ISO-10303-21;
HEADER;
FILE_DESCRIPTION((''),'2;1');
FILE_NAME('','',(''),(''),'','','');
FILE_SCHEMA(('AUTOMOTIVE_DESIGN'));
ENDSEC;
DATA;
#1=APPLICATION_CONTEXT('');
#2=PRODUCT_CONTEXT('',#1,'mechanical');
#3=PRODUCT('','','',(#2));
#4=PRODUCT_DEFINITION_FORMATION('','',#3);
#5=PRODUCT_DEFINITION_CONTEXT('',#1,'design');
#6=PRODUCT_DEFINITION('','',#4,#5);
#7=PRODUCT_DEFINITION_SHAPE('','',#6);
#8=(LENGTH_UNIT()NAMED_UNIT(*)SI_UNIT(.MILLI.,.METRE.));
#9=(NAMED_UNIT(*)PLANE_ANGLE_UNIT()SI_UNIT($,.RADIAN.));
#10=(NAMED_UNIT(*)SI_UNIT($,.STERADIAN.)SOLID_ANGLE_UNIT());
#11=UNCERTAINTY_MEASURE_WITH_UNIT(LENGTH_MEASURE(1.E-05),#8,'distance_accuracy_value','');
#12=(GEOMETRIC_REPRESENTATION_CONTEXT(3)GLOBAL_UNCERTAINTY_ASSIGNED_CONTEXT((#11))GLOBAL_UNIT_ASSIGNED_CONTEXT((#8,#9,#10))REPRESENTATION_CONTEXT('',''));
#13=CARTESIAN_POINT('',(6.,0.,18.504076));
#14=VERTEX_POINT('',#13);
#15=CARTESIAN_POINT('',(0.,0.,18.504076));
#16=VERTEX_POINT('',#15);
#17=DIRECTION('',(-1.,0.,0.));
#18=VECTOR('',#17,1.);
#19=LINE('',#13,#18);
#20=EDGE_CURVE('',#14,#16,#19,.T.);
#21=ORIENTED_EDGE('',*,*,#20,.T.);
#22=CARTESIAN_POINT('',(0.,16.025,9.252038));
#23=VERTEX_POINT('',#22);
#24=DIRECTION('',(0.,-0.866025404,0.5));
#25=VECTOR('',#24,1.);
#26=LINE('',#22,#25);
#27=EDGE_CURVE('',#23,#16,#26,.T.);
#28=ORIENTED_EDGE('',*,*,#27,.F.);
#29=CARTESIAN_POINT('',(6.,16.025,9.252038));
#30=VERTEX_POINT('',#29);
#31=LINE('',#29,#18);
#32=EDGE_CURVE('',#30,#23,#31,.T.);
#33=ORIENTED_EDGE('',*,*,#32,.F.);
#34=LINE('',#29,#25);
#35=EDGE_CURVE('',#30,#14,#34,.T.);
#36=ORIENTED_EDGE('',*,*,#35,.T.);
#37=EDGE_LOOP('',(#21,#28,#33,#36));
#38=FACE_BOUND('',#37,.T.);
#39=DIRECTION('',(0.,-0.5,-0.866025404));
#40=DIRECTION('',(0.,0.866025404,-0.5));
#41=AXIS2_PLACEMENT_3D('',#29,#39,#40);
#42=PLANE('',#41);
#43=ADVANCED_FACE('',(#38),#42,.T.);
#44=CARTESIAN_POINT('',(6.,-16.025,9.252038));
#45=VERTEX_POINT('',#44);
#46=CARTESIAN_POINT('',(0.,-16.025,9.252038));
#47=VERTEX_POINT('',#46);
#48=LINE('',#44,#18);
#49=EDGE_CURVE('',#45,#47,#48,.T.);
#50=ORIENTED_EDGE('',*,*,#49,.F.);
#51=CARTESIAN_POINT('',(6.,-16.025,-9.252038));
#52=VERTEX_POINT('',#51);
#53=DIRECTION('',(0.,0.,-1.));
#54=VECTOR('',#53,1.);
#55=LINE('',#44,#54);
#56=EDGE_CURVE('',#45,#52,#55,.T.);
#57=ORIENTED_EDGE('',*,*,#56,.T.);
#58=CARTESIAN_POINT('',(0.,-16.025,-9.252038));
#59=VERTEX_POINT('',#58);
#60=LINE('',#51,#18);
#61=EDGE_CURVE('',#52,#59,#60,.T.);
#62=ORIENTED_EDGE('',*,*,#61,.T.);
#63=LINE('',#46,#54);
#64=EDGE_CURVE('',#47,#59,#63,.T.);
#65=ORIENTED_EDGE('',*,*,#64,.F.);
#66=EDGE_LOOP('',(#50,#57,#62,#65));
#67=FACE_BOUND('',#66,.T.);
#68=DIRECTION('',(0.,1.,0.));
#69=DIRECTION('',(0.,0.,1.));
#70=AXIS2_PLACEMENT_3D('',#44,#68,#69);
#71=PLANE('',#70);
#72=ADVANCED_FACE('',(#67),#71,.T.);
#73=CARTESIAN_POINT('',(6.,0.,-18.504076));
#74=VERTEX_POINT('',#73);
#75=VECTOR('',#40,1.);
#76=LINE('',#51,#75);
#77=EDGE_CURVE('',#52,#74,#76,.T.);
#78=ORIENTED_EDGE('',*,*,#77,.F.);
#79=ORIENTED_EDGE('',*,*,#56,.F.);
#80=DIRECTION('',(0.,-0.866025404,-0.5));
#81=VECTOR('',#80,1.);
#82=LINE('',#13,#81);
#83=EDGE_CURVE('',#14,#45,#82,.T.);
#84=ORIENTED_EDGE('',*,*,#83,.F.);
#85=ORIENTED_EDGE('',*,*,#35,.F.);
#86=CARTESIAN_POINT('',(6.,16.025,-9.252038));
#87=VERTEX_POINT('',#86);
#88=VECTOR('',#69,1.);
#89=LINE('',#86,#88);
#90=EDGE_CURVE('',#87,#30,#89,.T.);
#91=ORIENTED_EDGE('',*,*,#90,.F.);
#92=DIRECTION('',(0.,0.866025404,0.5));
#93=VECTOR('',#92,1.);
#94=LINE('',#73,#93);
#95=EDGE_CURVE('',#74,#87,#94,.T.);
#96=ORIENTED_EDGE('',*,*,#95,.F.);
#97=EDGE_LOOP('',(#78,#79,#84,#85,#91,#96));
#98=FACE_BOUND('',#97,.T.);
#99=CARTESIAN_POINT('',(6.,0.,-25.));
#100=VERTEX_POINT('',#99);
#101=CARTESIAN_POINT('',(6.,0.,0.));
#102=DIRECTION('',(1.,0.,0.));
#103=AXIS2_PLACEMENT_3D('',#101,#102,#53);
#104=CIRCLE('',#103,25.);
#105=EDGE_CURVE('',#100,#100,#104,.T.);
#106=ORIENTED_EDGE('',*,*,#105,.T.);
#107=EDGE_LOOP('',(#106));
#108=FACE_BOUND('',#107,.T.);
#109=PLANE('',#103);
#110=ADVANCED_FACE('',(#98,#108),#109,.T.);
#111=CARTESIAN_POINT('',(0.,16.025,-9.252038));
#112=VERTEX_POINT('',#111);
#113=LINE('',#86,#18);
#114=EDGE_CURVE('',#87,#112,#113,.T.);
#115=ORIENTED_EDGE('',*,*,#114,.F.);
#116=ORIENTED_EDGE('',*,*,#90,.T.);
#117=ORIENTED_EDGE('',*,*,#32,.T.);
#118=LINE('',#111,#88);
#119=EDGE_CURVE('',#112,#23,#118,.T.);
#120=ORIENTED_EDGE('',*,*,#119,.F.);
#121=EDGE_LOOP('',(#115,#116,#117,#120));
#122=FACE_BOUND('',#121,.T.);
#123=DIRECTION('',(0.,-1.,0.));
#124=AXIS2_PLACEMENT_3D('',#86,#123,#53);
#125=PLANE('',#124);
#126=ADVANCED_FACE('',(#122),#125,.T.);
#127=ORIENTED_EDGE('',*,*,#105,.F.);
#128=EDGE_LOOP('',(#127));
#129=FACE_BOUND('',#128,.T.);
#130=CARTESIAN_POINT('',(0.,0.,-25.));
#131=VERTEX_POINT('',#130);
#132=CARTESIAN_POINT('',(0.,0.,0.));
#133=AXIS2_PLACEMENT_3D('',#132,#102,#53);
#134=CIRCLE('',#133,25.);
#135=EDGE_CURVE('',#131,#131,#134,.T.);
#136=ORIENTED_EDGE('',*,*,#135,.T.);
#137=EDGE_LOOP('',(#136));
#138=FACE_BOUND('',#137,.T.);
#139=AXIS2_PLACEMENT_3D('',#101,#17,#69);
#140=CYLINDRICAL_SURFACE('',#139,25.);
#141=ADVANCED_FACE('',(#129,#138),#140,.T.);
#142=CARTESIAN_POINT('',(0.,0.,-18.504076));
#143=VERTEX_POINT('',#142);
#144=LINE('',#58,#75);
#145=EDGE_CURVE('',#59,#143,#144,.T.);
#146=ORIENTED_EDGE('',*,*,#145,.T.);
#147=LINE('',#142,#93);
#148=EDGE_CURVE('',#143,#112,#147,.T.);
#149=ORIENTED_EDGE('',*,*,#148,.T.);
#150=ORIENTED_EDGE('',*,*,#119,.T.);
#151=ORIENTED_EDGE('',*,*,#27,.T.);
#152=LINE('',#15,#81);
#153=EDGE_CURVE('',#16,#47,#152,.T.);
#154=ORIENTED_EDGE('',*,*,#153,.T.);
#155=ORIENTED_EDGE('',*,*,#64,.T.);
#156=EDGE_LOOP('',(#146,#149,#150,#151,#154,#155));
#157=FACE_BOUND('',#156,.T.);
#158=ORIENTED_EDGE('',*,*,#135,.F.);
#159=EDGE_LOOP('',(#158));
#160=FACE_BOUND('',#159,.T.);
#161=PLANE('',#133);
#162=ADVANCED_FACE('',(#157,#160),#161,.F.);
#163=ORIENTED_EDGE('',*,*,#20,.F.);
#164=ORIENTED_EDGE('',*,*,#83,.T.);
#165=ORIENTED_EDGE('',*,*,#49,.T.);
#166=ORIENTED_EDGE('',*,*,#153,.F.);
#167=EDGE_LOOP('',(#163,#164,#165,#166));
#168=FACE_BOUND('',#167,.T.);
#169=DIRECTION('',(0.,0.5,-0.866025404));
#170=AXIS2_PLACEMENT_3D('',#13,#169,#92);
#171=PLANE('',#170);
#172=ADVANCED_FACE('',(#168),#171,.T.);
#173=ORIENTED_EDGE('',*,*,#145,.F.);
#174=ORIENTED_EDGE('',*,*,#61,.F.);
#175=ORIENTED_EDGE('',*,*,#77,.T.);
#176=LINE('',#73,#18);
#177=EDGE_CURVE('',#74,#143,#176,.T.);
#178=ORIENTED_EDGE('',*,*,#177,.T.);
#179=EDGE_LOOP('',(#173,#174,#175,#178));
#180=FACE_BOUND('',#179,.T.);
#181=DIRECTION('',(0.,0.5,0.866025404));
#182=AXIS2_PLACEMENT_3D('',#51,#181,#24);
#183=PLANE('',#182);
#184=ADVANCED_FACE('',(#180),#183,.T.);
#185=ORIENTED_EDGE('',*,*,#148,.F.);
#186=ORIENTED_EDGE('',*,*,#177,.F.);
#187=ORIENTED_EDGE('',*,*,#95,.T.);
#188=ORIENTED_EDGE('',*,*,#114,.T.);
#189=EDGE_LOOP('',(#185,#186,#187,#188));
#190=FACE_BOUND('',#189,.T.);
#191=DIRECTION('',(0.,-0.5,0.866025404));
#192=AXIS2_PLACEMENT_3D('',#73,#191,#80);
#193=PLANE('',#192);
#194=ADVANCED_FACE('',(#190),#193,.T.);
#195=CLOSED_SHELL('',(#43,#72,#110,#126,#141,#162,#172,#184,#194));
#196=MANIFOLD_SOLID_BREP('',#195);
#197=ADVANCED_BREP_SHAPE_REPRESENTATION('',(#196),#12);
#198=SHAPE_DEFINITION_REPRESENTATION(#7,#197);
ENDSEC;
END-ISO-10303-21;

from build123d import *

# Parameters (mm, degrees)
SKETCH1_R           = 25
BOSS_EXTRUDE1_DEPTH = 6


with BuildPart() as part:
    # Sketch1 → Boss-Extrude1 (new body)
    with BuildSketch(Plane(origin=(0, 0, 0), x_dir=(0, 0, -1), z_dir=(1, 0, 0))):
        Circle(SKETCH1_R)
        Polygon((18.504076128, 0), (9.252038064, 16.025), (-9.252038064, 16.025), (-18.504076128, 0), (-9.252038064, -16.025), (9.252038064, -16.025), align=None, mode=Mode.SUBTRACT)
    extrude(amount=BOSS_EXTRUDE1_DEPTH)


solid = part.part
